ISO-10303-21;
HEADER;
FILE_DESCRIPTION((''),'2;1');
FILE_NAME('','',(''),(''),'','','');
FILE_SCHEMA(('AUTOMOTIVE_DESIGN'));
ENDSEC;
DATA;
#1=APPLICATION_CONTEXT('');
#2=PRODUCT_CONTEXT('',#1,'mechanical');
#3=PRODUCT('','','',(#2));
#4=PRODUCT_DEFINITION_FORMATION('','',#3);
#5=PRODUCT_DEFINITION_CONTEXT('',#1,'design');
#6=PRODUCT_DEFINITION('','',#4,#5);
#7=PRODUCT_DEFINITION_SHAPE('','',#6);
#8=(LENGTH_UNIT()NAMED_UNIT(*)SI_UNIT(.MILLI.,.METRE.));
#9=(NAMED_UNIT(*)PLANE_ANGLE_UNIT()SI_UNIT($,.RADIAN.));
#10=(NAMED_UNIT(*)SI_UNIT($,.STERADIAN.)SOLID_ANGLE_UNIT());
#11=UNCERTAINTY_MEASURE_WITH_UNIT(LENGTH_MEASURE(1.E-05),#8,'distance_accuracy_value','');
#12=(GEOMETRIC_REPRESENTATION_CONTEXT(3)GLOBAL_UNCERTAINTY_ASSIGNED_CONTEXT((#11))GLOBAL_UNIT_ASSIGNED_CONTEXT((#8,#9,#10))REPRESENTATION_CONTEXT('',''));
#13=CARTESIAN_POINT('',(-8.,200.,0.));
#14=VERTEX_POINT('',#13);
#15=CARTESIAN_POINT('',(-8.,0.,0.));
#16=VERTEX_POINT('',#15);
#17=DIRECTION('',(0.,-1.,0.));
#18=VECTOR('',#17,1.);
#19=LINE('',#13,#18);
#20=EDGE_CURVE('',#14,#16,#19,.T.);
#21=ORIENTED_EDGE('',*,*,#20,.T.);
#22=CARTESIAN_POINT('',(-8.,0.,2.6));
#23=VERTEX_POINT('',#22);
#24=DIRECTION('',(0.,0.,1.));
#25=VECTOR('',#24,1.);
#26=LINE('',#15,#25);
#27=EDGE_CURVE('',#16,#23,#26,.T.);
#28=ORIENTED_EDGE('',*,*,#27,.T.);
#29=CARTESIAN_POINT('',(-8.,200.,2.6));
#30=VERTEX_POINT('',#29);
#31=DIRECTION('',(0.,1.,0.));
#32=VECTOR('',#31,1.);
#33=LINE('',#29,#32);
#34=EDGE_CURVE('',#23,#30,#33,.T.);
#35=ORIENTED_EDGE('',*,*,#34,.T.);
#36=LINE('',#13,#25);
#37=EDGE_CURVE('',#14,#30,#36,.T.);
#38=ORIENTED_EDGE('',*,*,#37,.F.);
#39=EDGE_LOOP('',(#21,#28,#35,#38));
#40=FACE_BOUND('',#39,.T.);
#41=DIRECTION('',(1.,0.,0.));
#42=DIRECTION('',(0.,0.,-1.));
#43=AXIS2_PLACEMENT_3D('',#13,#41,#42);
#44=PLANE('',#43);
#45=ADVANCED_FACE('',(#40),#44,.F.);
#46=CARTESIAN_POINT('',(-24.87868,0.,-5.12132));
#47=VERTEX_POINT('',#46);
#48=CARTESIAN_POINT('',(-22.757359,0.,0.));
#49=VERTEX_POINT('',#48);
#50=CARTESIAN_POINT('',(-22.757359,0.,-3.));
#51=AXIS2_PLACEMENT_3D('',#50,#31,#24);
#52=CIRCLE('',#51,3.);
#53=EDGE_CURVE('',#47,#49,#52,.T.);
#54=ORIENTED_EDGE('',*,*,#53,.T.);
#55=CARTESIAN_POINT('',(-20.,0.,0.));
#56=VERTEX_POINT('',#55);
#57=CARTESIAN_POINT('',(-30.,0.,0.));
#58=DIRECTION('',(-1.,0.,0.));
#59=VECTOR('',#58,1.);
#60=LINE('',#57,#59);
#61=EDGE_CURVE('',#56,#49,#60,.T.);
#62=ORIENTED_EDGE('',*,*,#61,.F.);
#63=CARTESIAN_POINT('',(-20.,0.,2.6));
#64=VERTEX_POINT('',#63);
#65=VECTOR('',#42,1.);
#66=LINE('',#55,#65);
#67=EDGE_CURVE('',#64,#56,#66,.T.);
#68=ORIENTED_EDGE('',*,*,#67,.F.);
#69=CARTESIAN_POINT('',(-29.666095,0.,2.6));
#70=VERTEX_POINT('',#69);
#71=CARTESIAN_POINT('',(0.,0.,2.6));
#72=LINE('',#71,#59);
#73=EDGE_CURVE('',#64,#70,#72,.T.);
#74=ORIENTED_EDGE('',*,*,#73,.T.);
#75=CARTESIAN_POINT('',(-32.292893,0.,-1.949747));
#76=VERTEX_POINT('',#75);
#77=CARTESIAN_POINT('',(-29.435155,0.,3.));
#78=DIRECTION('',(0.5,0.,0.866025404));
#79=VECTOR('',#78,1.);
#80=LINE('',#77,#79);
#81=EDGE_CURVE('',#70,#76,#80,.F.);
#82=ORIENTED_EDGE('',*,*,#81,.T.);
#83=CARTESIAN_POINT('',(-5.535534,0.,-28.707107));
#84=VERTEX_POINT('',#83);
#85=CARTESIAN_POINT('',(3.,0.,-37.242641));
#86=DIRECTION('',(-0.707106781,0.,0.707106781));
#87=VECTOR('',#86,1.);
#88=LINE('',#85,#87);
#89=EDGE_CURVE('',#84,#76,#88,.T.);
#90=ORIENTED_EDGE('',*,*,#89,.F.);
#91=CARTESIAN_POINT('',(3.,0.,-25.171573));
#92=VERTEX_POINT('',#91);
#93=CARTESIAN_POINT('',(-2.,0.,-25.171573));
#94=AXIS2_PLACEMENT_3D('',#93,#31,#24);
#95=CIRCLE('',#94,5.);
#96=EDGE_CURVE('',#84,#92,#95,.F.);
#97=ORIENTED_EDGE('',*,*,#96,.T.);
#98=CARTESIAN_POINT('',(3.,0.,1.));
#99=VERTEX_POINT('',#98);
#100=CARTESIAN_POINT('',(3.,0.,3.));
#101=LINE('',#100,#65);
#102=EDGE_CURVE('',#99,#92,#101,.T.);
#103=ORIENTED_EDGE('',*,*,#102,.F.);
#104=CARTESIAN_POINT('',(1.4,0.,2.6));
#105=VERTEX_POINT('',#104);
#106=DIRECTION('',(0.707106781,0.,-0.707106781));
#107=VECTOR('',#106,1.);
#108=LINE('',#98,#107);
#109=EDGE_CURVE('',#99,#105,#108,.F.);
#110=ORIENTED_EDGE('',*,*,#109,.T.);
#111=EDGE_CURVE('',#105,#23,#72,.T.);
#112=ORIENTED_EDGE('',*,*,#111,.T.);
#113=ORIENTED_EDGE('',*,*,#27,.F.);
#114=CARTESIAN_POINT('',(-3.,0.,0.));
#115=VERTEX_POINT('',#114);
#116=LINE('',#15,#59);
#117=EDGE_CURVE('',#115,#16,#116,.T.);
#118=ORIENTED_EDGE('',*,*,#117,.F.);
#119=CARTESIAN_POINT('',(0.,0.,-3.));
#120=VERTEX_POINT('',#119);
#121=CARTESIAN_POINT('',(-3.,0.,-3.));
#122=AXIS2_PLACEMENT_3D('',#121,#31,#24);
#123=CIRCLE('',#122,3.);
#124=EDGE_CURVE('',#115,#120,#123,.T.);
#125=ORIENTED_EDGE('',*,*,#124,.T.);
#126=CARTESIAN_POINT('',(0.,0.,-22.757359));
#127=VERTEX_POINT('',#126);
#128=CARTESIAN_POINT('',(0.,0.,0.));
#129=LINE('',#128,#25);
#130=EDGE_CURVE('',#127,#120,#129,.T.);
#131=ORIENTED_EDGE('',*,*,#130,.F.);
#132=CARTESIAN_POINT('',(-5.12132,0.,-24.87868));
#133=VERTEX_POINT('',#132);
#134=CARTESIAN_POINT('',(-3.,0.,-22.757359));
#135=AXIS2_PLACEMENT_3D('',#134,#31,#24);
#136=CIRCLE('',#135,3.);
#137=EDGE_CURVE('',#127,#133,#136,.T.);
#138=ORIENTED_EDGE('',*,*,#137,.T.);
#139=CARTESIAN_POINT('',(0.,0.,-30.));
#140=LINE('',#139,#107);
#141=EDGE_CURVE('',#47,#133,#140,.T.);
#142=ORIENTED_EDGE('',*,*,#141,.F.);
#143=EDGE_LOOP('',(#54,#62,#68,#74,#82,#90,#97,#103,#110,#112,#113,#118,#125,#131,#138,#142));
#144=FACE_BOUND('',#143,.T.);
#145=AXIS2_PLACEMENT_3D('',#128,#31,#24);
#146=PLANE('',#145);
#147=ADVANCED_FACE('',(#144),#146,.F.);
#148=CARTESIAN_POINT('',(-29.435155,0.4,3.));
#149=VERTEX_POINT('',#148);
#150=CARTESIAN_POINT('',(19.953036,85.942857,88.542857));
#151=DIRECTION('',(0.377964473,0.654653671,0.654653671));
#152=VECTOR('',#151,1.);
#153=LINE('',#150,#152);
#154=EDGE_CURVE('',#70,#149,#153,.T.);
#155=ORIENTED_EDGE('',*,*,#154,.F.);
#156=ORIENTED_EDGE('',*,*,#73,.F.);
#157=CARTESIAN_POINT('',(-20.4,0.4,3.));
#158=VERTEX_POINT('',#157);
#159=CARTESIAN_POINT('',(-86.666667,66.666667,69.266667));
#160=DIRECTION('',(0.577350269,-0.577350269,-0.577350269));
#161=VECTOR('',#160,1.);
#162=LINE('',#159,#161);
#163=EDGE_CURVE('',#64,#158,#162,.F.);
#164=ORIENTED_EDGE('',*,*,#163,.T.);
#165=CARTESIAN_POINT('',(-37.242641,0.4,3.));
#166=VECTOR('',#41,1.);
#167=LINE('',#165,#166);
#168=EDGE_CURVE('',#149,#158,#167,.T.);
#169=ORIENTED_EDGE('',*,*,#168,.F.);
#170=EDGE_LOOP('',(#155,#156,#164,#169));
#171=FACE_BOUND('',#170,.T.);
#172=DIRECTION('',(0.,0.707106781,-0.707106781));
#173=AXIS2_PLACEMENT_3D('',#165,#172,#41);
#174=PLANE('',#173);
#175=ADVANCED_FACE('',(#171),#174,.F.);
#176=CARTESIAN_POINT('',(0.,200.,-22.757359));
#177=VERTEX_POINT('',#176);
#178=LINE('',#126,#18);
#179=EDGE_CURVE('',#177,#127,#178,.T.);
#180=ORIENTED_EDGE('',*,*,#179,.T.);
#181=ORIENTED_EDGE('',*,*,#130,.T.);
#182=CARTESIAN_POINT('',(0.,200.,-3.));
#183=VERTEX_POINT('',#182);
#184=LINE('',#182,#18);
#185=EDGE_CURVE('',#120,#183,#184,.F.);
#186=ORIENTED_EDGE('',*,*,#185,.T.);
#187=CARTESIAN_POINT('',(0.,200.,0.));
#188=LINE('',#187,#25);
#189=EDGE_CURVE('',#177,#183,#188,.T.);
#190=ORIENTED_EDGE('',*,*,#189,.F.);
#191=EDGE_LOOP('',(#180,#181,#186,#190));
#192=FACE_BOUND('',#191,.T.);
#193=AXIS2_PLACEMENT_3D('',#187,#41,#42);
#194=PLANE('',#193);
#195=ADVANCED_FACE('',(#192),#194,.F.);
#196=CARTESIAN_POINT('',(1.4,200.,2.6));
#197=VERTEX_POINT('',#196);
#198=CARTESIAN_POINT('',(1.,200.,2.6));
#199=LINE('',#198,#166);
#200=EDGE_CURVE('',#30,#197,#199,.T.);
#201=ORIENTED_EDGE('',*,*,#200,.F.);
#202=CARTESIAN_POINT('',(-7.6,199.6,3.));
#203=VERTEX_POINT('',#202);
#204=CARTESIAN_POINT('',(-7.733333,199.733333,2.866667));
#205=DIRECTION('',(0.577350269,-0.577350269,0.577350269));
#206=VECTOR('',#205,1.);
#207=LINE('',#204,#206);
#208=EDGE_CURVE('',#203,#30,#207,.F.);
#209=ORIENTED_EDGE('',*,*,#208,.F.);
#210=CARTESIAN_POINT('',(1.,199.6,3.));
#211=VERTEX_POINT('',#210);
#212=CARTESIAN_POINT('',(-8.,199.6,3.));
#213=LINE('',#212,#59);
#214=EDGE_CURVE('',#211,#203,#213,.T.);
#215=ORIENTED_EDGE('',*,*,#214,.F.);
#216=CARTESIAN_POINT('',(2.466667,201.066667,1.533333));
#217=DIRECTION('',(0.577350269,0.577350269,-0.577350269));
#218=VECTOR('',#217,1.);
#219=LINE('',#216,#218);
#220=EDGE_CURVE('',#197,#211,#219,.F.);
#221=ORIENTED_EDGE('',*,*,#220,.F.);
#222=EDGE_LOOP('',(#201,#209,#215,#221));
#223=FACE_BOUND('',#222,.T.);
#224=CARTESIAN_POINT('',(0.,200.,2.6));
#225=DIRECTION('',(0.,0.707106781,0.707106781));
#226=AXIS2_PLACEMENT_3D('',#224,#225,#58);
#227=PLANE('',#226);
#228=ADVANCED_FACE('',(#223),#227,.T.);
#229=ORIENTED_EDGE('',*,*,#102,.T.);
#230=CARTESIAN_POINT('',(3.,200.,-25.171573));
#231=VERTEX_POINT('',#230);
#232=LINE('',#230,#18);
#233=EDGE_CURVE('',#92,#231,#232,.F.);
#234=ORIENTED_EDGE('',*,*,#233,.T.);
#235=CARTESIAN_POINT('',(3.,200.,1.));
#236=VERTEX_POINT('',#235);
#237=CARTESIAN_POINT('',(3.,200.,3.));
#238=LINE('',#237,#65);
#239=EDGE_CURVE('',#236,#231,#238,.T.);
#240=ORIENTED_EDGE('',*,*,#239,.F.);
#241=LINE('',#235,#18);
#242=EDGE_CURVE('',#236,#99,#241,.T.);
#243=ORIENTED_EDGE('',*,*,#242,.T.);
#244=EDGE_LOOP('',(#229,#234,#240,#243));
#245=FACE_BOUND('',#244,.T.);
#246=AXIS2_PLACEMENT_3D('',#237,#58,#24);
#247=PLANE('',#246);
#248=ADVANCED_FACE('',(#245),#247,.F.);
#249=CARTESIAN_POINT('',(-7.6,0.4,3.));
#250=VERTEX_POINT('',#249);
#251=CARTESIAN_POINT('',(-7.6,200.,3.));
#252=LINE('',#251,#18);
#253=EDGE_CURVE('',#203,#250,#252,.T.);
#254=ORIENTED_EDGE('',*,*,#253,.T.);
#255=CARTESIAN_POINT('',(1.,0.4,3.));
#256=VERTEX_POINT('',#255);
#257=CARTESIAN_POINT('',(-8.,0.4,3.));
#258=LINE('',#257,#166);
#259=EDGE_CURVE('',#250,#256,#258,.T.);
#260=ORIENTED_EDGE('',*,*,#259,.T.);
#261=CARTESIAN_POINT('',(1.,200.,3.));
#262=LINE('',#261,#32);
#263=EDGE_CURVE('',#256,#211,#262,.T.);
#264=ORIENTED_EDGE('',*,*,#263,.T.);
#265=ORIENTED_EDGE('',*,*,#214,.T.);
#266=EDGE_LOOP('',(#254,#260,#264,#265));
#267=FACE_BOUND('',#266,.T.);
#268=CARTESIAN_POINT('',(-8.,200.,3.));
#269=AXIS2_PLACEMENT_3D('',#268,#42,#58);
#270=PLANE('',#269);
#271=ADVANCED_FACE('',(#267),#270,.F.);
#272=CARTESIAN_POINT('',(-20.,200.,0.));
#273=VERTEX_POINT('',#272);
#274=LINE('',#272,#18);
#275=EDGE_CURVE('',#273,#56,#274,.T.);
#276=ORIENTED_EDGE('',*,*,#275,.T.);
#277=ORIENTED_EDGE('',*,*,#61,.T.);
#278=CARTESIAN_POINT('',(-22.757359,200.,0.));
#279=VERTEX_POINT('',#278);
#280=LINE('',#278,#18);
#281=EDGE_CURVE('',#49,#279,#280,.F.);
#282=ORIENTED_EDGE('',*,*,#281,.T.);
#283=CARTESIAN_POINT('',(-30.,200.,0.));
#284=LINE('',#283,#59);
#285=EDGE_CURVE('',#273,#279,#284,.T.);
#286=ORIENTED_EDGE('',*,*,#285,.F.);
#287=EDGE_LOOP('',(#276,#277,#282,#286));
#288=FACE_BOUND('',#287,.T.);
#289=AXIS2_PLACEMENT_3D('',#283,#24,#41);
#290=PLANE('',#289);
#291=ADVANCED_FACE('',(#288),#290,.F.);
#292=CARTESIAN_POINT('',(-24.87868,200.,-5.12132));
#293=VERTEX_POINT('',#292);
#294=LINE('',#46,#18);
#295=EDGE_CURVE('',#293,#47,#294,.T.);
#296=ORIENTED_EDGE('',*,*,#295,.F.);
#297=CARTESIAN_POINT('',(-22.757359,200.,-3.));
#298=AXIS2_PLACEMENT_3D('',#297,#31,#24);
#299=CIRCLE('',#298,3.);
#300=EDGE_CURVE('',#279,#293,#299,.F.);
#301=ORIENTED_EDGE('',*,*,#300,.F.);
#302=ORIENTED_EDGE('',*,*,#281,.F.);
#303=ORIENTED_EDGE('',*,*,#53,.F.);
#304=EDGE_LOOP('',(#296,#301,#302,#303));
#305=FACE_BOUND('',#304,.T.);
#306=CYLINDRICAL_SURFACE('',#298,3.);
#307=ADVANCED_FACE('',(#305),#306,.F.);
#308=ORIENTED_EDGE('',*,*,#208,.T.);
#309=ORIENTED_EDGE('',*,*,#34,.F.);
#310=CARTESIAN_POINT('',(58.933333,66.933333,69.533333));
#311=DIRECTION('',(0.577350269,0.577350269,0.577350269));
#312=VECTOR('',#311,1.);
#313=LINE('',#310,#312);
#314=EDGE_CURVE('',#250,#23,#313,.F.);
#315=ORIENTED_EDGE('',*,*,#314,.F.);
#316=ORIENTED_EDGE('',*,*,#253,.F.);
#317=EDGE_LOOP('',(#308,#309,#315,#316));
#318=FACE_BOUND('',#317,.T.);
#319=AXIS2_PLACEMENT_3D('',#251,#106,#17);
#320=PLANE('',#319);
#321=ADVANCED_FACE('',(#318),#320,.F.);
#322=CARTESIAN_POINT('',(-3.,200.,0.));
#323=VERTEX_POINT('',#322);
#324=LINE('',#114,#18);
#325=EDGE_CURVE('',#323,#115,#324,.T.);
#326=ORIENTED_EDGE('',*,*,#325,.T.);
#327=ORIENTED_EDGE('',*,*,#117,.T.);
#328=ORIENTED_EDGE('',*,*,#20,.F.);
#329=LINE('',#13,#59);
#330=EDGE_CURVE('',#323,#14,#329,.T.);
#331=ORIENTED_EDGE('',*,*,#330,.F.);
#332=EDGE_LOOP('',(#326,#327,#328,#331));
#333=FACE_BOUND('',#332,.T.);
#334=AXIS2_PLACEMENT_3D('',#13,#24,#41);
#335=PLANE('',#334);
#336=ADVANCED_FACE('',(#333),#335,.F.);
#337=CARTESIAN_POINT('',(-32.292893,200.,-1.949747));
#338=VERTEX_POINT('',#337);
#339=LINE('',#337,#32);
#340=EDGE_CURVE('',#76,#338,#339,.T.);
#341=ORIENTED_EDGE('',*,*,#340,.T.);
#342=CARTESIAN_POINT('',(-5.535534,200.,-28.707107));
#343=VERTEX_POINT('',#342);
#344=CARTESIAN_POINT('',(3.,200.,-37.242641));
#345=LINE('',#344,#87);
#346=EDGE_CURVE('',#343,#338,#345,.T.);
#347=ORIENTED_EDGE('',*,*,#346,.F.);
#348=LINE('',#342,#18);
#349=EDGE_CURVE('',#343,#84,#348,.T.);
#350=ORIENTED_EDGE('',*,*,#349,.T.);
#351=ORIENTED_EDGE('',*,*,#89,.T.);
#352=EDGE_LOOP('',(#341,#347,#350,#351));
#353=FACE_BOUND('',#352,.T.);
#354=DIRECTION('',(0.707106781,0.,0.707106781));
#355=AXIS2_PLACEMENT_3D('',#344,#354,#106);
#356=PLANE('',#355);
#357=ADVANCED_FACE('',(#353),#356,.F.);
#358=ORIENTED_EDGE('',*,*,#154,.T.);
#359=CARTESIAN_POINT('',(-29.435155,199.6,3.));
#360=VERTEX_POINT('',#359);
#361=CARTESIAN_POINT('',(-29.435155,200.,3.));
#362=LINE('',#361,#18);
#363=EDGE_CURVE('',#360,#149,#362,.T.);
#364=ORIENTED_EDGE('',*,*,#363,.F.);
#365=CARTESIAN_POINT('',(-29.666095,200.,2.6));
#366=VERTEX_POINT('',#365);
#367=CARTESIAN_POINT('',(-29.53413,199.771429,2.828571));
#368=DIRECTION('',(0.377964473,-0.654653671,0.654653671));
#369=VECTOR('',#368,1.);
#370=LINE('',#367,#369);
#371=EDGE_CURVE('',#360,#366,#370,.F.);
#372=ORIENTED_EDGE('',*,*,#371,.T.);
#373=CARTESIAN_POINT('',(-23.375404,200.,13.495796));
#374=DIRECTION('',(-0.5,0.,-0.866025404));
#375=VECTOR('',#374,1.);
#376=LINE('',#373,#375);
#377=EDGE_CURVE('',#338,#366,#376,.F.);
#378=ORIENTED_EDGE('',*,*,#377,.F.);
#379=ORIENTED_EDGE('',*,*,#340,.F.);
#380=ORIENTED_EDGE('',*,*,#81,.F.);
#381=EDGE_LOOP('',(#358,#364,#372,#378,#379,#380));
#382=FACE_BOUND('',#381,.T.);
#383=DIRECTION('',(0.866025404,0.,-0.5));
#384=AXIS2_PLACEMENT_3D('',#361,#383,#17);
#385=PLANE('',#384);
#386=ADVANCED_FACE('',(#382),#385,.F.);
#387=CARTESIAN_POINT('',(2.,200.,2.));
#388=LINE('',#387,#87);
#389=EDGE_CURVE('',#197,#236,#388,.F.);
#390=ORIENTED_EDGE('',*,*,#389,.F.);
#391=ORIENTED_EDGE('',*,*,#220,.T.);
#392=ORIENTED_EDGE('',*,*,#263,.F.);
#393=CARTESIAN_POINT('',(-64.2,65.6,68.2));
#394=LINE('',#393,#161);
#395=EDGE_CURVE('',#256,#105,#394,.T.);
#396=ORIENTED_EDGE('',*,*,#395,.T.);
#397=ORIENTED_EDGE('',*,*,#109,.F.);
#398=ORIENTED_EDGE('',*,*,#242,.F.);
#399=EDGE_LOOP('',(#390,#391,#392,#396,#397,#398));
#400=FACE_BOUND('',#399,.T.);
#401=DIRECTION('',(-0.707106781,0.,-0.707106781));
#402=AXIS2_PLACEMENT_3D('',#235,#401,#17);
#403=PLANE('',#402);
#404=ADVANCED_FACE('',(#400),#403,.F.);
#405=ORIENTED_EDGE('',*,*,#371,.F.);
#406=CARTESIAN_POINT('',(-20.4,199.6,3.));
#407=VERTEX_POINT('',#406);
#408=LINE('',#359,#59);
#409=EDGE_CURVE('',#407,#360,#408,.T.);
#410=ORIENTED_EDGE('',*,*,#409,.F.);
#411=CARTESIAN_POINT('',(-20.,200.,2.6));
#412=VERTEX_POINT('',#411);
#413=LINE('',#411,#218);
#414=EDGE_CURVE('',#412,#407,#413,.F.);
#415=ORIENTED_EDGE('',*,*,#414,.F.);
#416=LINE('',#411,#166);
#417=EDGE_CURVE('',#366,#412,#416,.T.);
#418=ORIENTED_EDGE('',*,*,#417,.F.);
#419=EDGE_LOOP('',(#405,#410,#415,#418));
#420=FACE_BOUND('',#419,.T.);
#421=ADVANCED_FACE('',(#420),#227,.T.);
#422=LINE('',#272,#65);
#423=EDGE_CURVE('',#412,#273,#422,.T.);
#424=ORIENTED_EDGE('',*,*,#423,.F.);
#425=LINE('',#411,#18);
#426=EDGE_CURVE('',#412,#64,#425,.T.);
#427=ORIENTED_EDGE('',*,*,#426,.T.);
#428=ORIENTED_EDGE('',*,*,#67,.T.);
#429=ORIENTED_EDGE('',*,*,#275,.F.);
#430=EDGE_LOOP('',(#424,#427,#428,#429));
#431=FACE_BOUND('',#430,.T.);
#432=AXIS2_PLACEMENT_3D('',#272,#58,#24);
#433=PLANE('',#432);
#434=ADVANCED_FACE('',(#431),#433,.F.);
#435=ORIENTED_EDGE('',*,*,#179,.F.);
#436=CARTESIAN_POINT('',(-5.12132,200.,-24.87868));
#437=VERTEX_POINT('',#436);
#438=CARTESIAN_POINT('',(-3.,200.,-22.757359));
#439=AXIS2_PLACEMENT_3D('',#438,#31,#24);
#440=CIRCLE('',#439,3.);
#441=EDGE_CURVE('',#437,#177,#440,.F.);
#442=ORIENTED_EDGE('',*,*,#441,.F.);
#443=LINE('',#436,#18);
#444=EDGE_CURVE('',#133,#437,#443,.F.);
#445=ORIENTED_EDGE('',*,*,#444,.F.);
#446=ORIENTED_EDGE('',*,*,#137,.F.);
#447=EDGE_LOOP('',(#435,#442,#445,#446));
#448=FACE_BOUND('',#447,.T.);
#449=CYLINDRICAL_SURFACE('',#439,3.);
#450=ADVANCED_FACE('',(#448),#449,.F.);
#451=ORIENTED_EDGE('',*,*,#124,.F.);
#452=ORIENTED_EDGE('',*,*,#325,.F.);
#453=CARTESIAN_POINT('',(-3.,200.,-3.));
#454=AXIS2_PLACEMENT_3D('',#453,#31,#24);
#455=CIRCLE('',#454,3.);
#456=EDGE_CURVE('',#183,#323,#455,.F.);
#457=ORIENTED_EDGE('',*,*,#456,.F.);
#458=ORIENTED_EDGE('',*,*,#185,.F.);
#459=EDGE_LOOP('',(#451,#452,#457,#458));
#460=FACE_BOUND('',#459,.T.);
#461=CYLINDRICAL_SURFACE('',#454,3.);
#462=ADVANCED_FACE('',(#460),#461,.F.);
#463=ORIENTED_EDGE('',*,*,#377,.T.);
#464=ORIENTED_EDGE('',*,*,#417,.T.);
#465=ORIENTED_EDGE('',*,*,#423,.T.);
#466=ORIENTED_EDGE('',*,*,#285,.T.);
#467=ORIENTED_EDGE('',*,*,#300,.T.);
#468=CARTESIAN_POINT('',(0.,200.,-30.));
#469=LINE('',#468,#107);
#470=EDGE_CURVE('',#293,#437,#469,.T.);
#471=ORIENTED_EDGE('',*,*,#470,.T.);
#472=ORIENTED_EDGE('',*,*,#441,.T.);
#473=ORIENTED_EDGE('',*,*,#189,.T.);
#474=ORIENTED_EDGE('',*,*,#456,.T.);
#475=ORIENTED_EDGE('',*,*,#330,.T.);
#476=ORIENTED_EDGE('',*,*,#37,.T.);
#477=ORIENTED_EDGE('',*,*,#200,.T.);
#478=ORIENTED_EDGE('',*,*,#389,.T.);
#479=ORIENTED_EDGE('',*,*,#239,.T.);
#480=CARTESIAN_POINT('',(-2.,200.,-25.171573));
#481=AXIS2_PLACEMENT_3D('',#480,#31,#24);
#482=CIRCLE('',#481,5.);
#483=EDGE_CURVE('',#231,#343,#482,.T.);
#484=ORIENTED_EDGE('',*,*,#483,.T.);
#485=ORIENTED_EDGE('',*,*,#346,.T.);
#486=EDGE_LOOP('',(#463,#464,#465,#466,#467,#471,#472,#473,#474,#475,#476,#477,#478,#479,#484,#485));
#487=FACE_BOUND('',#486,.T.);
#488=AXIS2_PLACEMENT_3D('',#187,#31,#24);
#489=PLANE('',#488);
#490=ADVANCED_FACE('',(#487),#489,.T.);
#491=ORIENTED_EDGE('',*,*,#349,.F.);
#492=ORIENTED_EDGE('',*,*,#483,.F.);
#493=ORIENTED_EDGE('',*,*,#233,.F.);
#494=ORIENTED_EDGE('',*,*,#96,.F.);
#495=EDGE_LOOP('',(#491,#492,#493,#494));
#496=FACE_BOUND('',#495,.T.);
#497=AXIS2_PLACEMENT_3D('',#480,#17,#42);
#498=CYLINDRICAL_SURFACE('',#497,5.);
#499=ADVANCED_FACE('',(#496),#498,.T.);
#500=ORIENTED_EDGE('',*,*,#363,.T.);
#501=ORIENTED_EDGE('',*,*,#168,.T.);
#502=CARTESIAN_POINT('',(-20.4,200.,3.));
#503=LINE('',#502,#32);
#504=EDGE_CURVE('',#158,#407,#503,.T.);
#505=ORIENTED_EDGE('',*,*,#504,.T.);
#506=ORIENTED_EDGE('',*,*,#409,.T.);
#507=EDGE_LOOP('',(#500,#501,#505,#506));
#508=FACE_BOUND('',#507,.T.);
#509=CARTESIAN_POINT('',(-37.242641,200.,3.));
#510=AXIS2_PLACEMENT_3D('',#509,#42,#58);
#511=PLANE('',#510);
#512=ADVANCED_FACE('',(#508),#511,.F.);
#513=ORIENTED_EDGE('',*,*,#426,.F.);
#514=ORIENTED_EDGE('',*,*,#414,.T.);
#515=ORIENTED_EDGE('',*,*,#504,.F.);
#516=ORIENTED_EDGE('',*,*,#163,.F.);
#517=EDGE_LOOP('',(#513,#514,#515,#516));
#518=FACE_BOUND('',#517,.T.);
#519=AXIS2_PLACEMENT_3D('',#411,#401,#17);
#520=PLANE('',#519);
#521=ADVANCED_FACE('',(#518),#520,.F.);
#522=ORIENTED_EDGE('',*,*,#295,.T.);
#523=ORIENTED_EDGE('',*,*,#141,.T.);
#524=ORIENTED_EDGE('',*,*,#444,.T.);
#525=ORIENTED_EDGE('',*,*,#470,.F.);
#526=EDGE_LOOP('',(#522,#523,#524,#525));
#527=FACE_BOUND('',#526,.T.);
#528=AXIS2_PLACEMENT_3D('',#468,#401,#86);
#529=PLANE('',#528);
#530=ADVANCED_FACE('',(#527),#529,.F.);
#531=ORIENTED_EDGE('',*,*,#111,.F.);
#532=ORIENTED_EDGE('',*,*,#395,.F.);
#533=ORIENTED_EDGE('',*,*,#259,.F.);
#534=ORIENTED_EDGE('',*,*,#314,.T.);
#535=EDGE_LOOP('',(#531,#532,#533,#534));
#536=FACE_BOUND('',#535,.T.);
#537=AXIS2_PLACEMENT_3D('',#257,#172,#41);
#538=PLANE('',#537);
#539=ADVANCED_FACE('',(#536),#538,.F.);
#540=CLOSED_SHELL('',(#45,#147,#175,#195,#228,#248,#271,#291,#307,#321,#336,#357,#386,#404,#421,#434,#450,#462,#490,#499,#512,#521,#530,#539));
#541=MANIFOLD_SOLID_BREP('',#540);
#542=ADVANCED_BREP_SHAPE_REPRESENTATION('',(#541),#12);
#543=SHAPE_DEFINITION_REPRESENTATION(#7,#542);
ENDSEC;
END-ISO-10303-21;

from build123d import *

# Parameters (mm, degrees)
EXTRUDE_1_DEPTH = 200
FILLET_1_R      = 3
FILLET_2_R      = 5
CHAMFER_1_SIZE  = 7
CHAMFER_1_SIZE2 = 7.807485502
CHAMFER_2_SIZE  = 2
CHAMFER_3_SIZE  = 0.4


with BuildPart() as part:
    # 草图1 → 凸台-拉伸1 (new body)
    with BuildSketch(Plane(origin=(0, 0, 0), x_dir=(1, 0, 0), z_dir=(0, 1, 0))):
        Polygon((0, 0), (0, 30), (-30, 0), (-20, 0), (-20, -3), (-37.242640687, -3), (3, 37.242640687), (3, -3), (-8, -3), (-8, 0), align=None)
    extrude(amount=EXTRUDE_1_DEPTH)

    # 圆角1
    fillet_1_edges = [part.edges().sort_by_distance(p)[0] for p in [
        (0, 100, 0),
        (0, 100, -30),
        (-30, 100, 0),
    ]]
    fillet(fillet_1_edges, radius=FILLET_1_R)

    # 圆角2
    fillet_2_edges = [part.edges().sort_by_distance(p)[0] for p in [
        (3, 100, -37.242640687),
    ]]
    fillet(fillet_2_edges, radius=FILLET_2_R)

    # 倒角1
    chamfer_1_edges = [part.edges().sort_by_distance(p)[0] for p in [
        (-37.242640687, 100, 3),
    ]]
    chamfer_1_side = [part.faces().sort_by_distance(p)[0] for p in [
        (-21.389087297, 100, -12.853553391),
    ]]
    chamfer(chamfer_1_edges, length=CHAMFER_1_SIZE, length2=CHAMFER_1_SIZE2, reference=chamfer_1_side[0])

    # 倒角2
    chamfer_2_edges = [part.edges().sort_by_distance(p)[0] for p in [
        (3, 100, 3),
    ]]
    chamfer(chamfer_2_edges, length=CHAMFER_2_SIZE)

    # 倒角3
    chamfer_3_edges = [part.edges().sort_by_distance(p)[0] for p in [
        (-3.5, 200, 3),
        (-3.5, 0, 3),
        (-20, 100, 3),
        (-8, 100, 3),
        (-24.717577593, 0, 3),
        (-24.717577593, 200, 3),
    ]]
    chamfer(chamfer_3_edges, length=CHAMFER_3_SIZE)


solid = part.part
